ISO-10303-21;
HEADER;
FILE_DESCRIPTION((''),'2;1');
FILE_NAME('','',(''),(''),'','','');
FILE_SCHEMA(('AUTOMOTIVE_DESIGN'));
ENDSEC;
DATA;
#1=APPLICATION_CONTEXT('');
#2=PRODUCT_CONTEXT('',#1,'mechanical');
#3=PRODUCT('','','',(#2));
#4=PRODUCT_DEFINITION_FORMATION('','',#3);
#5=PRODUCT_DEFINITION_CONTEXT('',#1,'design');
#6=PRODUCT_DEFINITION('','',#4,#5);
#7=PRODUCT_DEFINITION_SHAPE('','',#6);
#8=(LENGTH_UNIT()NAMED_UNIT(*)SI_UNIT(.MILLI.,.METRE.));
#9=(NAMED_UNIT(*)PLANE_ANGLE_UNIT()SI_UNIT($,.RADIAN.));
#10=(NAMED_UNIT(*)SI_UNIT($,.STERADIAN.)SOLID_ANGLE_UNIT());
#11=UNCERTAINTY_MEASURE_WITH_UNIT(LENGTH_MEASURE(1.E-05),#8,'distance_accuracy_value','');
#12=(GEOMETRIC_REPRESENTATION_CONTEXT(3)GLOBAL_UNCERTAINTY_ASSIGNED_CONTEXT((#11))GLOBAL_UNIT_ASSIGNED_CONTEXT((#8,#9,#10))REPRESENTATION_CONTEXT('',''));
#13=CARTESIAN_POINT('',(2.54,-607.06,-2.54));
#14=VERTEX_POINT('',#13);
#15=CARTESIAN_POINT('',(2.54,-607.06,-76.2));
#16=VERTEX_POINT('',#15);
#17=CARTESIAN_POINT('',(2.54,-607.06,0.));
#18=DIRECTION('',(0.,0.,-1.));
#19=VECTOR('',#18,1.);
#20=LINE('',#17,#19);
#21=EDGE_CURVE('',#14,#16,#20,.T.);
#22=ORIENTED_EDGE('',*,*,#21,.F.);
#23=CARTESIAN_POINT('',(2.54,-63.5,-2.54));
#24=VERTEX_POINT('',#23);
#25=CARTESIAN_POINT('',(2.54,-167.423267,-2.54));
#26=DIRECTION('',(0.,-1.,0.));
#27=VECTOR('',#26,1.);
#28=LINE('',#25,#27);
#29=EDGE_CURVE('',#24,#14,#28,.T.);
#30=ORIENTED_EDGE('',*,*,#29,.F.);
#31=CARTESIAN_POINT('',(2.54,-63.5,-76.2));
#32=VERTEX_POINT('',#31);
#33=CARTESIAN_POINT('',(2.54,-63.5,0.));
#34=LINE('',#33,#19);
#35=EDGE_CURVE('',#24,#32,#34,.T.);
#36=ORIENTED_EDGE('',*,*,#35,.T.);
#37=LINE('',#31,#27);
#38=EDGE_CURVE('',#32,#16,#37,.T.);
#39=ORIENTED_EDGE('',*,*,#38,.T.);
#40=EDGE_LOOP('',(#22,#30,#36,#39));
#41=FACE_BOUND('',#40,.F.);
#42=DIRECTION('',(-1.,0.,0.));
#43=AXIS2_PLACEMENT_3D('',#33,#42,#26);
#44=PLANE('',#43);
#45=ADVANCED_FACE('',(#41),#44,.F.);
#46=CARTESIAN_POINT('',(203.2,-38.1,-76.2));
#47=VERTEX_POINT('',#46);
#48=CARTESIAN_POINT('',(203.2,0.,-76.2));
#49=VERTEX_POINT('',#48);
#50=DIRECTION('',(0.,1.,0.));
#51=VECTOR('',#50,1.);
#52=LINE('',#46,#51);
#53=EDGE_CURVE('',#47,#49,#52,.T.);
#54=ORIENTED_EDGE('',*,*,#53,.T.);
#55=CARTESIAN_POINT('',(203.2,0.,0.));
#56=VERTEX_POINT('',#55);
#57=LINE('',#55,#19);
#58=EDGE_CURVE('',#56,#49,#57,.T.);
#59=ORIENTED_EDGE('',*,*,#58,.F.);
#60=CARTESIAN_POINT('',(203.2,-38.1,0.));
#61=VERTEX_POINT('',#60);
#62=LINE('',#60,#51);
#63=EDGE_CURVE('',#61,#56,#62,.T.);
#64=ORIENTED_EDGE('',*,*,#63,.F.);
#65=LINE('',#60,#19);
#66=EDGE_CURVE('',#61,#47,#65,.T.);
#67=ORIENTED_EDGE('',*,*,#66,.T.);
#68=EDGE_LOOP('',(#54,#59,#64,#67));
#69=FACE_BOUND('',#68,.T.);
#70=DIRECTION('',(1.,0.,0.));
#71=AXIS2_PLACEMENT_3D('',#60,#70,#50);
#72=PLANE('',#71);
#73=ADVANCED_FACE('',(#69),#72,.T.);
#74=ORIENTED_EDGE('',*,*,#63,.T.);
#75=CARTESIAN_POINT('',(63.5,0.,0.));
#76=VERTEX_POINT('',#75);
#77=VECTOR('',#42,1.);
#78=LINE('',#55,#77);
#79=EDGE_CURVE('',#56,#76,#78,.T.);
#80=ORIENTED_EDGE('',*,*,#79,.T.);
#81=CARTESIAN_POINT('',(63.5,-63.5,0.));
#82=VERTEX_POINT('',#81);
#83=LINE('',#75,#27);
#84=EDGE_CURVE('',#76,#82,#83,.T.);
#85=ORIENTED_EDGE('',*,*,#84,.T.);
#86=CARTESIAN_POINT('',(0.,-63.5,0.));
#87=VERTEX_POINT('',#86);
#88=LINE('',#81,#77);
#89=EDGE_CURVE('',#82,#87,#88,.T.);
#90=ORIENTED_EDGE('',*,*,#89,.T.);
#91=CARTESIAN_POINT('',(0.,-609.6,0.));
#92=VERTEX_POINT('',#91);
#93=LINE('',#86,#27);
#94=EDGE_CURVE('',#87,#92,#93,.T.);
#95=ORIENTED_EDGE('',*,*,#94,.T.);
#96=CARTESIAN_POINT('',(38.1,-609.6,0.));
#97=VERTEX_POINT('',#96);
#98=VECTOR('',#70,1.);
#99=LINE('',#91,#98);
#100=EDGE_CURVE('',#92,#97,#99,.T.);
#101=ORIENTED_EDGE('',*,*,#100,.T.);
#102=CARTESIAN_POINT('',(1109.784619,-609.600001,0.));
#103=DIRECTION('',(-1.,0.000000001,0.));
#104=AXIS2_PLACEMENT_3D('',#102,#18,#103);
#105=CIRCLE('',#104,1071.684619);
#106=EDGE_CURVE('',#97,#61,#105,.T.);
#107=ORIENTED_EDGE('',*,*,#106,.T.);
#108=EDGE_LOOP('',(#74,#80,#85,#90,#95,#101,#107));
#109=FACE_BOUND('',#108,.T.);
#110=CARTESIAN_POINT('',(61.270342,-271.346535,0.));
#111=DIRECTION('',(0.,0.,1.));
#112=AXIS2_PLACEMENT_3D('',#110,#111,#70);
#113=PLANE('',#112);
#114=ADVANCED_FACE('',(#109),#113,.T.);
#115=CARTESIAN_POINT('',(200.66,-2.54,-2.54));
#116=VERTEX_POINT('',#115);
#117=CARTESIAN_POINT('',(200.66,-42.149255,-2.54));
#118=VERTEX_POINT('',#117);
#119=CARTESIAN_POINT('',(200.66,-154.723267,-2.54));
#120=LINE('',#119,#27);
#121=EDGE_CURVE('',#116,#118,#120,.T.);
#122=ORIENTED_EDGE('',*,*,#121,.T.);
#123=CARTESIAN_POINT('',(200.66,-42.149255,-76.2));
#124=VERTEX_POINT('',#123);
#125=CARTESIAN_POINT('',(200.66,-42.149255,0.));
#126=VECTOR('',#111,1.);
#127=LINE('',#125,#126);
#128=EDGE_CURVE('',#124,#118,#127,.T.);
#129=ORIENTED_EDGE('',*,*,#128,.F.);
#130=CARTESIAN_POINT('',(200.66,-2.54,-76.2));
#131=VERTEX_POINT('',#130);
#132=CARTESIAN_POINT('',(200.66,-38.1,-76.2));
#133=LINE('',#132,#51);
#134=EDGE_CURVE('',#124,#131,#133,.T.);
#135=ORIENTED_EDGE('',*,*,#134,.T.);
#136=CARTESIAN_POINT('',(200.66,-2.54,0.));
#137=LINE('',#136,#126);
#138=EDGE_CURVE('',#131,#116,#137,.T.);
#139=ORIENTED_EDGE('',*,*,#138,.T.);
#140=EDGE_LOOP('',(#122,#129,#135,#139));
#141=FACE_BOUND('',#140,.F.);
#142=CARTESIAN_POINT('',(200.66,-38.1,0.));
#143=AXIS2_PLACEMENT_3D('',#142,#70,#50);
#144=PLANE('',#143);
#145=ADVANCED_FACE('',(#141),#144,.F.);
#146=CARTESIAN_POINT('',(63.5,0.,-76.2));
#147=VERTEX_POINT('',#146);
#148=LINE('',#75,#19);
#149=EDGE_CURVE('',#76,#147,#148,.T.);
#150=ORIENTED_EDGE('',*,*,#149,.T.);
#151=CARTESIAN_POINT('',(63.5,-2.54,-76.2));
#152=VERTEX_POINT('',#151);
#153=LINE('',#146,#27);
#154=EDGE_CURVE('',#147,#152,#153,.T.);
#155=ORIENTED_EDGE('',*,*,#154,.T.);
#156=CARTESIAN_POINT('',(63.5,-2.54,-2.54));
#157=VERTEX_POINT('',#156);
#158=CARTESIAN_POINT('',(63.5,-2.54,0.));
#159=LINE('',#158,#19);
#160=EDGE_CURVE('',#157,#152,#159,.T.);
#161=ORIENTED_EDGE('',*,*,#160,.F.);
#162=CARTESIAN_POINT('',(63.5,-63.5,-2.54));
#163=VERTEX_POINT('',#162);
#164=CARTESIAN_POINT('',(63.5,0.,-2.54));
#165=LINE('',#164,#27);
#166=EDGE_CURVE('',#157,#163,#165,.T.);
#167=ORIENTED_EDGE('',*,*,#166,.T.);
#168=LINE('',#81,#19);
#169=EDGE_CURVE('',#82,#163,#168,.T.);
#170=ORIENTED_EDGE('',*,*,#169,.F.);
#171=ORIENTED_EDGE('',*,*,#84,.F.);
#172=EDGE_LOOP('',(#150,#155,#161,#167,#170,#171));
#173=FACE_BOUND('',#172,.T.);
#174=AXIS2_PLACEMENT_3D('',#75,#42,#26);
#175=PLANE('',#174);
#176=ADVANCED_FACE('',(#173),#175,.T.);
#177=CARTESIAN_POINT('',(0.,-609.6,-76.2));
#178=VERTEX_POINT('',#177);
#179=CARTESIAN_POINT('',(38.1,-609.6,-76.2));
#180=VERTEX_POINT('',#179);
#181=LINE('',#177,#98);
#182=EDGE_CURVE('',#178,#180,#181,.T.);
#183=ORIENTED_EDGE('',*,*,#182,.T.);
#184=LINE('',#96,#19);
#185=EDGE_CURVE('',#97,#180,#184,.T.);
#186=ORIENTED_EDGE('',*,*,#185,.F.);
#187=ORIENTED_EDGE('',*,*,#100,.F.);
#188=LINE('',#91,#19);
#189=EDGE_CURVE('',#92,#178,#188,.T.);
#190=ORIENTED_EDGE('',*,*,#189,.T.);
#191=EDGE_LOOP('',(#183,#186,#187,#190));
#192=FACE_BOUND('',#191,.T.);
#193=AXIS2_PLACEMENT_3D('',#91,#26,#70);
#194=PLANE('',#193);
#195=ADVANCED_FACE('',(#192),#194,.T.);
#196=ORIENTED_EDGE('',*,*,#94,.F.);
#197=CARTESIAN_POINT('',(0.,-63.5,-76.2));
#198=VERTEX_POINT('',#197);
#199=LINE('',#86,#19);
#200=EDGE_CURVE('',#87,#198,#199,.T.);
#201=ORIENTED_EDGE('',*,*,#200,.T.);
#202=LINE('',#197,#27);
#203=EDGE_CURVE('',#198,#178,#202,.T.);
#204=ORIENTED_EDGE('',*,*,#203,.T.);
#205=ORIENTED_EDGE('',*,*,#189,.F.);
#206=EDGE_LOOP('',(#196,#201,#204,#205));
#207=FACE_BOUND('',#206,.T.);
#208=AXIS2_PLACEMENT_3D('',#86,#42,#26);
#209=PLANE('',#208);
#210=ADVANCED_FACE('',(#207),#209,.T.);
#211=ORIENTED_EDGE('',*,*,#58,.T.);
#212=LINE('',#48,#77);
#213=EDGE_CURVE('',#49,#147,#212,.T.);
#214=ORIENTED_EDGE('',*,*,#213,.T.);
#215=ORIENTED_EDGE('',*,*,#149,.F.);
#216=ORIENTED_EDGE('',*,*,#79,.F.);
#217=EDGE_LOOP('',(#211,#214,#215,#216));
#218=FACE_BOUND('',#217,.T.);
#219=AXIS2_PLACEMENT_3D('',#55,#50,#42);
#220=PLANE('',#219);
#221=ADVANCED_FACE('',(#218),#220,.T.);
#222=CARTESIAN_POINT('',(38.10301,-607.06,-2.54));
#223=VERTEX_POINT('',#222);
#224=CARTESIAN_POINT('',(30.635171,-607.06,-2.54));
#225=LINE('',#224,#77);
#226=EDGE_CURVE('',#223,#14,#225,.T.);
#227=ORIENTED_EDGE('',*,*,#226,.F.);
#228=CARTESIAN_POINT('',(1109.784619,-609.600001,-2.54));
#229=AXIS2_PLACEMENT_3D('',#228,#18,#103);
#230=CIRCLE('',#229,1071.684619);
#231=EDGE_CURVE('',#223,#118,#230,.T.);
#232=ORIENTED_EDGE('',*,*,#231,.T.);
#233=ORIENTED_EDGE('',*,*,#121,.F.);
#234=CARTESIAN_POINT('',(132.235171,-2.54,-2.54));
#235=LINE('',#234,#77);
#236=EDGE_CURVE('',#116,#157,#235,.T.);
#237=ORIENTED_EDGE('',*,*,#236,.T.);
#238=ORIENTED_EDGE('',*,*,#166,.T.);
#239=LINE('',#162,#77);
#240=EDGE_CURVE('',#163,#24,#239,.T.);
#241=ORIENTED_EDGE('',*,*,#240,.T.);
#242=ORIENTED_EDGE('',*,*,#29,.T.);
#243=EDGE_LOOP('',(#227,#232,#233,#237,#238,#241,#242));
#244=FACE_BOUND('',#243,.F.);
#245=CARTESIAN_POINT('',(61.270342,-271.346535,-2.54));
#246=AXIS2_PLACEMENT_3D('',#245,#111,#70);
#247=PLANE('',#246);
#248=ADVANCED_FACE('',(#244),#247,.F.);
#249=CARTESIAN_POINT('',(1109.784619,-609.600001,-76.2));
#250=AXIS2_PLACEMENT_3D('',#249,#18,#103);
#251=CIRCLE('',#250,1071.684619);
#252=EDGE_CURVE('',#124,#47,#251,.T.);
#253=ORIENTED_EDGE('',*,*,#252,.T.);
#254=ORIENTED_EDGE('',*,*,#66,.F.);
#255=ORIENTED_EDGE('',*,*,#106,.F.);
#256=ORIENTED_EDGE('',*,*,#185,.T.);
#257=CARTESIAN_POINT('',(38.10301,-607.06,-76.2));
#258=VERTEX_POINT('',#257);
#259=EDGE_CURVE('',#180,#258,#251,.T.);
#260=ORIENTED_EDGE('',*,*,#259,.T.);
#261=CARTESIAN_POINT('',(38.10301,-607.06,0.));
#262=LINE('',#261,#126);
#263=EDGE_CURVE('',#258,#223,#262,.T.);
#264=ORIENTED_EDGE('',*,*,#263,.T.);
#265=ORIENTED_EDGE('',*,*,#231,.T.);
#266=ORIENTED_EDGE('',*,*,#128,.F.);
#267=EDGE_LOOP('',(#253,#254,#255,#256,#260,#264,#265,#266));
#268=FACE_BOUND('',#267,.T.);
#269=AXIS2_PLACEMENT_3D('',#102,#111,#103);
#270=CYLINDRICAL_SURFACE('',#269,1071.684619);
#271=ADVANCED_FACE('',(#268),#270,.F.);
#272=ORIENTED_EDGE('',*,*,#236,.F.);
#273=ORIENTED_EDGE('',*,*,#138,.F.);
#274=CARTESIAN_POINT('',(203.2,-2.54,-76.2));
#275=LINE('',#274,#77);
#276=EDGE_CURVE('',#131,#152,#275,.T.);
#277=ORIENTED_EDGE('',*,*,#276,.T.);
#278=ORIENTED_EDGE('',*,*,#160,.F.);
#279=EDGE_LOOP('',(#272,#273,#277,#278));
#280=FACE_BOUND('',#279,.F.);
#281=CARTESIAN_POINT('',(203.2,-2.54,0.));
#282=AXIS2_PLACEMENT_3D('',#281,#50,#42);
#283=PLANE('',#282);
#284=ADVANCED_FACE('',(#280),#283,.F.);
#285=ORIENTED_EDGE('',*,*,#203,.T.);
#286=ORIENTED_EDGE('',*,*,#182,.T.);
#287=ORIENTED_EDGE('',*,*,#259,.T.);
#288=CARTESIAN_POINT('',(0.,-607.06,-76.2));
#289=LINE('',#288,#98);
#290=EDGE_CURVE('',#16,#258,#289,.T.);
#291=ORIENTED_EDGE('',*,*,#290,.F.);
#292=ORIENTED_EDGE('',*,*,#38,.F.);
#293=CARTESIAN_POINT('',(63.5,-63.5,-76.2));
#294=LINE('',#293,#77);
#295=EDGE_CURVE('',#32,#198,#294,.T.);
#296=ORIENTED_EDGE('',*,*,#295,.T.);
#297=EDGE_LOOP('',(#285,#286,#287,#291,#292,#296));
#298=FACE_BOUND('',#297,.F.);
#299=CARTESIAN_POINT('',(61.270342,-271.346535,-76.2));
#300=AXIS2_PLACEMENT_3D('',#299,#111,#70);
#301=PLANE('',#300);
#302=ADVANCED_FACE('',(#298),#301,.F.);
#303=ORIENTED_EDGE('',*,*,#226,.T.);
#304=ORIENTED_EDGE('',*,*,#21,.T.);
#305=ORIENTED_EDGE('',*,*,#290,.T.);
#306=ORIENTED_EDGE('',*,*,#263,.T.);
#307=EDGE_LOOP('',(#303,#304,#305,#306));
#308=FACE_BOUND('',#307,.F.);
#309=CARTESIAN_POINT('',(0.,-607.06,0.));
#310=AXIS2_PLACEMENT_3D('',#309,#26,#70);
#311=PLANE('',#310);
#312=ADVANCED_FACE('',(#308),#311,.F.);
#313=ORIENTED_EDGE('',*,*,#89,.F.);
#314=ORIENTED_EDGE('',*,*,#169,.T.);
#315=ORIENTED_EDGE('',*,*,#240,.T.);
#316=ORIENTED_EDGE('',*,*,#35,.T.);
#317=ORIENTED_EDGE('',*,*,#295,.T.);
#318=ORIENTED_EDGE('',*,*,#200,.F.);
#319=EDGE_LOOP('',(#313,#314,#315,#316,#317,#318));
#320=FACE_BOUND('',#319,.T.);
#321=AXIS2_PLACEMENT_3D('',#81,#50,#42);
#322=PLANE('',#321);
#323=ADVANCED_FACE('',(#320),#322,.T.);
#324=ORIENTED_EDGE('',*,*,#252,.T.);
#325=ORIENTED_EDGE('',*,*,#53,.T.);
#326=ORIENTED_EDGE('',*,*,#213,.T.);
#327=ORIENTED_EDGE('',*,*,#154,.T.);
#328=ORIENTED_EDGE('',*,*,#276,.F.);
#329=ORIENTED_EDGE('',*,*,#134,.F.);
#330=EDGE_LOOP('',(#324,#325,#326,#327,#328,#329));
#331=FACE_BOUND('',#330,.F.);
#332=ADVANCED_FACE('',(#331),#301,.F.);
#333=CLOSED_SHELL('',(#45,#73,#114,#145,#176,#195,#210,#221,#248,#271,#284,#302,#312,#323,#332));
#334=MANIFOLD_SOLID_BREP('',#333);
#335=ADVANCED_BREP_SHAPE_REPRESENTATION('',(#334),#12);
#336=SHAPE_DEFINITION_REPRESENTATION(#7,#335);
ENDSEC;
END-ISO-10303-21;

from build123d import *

# Parameters (mm, degrees)
F1_DEPTH = 76.2
F2_T     = -2.54


with BuildPart() as f1:
    # F0 (on Top) → F1 (new body)
    with BuildSketch(Plane.XY):
        with BuildLine():
            Line((203.2, 0), (63.5, 0))
            Line((63.5, 0), (63.5, -63.5))
            Line((63.5, -63.5), (0, -63.5))
            Line((0, -63.5), (0, -609.6))
            Line((0, -609.6), (38.1, -609.6))
            ThreePointArc((38.1, -609.6), (80.202006, -312.165024), (203.2, -38.1))
            Line((203.2, -38.1), (203.2, 0))
        make_face()
    extrude(amount=-F1_DEPTH)

    # F2
    f2_openings = [f1.faces().sort_by_distance(p)[0] for p in [
        (66.483993, -223.719229, -76.2),
        (80.202006, -312.165024, -38.1),
        (31.75, -63.5, -38.1),
        (63.5, -31.75, -38.1),
    ]]
    offset(amount=F2_T, openings=f2_openings)


solid = f1.part
